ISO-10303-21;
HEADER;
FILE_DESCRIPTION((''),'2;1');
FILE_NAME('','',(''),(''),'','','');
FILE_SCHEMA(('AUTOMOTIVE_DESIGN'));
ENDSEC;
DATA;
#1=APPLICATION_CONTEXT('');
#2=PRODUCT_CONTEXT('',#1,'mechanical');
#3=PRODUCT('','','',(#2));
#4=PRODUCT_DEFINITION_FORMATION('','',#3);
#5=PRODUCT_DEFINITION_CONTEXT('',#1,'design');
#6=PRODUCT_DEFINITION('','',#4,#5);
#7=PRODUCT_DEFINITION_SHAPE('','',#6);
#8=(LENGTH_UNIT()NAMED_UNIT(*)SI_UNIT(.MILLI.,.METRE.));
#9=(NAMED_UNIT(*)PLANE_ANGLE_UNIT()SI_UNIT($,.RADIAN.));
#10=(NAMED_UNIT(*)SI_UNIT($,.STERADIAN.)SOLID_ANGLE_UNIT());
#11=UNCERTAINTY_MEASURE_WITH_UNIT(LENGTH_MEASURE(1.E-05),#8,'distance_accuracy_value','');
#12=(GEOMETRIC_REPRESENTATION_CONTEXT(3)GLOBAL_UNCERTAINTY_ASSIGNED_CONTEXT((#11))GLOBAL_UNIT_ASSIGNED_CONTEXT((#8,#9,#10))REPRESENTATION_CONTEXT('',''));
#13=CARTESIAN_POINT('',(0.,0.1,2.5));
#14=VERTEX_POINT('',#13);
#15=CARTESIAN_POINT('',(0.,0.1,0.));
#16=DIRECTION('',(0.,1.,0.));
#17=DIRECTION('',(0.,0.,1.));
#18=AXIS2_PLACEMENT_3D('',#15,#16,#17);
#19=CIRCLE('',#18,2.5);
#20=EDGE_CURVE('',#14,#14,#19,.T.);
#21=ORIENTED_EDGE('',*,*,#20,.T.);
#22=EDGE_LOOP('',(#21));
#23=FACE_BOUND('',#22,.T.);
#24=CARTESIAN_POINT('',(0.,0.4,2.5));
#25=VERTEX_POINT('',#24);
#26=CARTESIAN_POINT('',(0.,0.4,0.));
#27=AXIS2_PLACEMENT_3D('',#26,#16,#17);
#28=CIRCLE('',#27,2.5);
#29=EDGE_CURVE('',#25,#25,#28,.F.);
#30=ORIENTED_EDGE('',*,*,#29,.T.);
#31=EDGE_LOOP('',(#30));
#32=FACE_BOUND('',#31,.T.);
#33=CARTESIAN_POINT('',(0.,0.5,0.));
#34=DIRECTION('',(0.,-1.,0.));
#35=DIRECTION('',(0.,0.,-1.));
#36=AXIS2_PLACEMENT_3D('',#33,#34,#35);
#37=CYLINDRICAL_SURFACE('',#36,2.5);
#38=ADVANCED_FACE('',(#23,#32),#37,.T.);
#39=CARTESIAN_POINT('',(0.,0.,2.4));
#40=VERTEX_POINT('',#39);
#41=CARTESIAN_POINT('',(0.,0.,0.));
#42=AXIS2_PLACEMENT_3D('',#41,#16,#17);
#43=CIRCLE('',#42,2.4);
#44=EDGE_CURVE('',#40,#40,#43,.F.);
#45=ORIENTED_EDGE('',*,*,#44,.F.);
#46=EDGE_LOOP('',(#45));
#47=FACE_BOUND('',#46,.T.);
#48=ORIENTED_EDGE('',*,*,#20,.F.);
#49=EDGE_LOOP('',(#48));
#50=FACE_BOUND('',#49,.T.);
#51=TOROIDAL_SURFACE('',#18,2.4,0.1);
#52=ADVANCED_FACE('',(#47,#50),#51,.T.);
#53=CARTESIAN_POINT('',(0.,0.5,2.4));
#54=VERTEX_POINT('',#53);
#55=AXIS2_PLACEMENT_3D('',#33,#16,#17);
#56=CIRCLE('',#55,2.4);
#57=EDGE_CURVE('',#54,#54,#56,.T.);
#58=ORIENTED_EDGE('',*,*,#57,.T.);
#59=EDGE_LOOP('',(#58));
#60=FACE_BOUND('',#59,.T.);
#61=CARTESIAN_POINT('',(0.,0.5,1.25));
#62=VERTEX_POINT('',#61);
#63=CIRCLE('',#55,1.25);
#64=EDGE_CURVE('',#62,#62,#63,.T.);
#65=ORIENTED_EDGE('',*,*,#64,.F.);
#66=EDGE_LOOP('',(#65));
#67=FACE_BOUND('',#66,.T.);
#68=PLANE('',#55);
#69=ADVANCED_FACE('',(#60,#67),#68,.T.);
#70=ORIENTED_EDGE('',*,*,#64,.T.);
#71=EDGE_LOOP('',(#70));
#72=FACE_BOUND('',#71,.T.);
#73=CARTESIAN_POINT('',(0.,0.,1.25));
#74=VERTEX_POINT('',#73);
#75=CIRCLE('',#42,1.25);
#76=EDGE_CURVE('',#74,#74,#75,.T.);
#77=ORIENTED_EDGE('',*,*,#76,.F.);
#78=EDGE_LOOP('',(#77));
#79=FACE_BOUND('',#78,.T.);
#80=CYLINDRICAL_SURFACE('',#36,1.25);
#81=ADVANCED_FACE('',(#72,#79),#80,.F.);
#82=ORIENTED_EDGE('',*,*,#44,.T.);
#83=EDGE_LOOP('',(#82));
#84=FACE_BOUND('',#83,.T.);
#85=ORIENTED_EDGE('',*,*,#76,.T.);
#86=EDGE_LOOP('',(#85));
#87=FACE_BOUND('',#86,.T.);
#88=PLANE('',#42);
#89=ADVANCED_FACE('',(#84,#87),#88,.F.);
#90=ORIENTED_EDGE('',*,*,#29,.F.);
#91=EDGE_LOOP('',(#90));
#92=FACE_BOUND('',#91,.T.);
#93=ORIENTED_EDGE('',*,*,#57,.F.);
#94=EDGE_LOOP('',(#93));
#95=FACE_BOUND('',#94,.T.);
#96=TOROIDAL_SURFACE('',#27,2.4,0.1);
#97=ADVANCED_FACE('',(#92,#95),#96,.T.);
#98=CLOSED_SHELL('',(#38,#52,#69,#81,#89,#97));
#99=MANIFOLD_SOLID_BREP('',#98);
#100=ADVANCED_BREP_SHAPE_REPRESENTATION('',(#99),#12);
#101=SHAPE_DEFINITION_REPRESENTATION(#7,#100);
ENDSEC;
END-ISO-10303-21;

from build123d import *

# Parameters (mm, degrees)
SKETCH1_R           = 2.5
SKETCH1_R_2         = 1.25
BOSS_EXTRUDE1_DEPTH = 0.5
FILLET1_R           = 0.1


with BuildPart() as part:
    # Sketch1 → Boss-Extrude1 (new body)
    with BuildSketch(Plane(origin=(0, 0, 0), x_dir=(1, 0, 0), z_dir=(0, 1, 0))):
        with Locations(Location((0, 0, 0), (0, 0, 270))):
            Circle(SKETCH1_R)
        with Locations(Location((0, 0, 0), (0, 0, 270))):
            Circle(SKETCH1_R_2, mode=Mode.SUBTRACT)
    extrude(amount=BOSS_EXTRUDE1_DEPTH)

    # Fillet1
    fillet1_edges = [part.edges().sort_by_distance(p)[0] for p in [
        (0, 0, -2.5),
        (0, 0.5, -2.5),
    ]]
    fillet(fillet1_edges, radius=FILLET1_R)


solid = part.part
